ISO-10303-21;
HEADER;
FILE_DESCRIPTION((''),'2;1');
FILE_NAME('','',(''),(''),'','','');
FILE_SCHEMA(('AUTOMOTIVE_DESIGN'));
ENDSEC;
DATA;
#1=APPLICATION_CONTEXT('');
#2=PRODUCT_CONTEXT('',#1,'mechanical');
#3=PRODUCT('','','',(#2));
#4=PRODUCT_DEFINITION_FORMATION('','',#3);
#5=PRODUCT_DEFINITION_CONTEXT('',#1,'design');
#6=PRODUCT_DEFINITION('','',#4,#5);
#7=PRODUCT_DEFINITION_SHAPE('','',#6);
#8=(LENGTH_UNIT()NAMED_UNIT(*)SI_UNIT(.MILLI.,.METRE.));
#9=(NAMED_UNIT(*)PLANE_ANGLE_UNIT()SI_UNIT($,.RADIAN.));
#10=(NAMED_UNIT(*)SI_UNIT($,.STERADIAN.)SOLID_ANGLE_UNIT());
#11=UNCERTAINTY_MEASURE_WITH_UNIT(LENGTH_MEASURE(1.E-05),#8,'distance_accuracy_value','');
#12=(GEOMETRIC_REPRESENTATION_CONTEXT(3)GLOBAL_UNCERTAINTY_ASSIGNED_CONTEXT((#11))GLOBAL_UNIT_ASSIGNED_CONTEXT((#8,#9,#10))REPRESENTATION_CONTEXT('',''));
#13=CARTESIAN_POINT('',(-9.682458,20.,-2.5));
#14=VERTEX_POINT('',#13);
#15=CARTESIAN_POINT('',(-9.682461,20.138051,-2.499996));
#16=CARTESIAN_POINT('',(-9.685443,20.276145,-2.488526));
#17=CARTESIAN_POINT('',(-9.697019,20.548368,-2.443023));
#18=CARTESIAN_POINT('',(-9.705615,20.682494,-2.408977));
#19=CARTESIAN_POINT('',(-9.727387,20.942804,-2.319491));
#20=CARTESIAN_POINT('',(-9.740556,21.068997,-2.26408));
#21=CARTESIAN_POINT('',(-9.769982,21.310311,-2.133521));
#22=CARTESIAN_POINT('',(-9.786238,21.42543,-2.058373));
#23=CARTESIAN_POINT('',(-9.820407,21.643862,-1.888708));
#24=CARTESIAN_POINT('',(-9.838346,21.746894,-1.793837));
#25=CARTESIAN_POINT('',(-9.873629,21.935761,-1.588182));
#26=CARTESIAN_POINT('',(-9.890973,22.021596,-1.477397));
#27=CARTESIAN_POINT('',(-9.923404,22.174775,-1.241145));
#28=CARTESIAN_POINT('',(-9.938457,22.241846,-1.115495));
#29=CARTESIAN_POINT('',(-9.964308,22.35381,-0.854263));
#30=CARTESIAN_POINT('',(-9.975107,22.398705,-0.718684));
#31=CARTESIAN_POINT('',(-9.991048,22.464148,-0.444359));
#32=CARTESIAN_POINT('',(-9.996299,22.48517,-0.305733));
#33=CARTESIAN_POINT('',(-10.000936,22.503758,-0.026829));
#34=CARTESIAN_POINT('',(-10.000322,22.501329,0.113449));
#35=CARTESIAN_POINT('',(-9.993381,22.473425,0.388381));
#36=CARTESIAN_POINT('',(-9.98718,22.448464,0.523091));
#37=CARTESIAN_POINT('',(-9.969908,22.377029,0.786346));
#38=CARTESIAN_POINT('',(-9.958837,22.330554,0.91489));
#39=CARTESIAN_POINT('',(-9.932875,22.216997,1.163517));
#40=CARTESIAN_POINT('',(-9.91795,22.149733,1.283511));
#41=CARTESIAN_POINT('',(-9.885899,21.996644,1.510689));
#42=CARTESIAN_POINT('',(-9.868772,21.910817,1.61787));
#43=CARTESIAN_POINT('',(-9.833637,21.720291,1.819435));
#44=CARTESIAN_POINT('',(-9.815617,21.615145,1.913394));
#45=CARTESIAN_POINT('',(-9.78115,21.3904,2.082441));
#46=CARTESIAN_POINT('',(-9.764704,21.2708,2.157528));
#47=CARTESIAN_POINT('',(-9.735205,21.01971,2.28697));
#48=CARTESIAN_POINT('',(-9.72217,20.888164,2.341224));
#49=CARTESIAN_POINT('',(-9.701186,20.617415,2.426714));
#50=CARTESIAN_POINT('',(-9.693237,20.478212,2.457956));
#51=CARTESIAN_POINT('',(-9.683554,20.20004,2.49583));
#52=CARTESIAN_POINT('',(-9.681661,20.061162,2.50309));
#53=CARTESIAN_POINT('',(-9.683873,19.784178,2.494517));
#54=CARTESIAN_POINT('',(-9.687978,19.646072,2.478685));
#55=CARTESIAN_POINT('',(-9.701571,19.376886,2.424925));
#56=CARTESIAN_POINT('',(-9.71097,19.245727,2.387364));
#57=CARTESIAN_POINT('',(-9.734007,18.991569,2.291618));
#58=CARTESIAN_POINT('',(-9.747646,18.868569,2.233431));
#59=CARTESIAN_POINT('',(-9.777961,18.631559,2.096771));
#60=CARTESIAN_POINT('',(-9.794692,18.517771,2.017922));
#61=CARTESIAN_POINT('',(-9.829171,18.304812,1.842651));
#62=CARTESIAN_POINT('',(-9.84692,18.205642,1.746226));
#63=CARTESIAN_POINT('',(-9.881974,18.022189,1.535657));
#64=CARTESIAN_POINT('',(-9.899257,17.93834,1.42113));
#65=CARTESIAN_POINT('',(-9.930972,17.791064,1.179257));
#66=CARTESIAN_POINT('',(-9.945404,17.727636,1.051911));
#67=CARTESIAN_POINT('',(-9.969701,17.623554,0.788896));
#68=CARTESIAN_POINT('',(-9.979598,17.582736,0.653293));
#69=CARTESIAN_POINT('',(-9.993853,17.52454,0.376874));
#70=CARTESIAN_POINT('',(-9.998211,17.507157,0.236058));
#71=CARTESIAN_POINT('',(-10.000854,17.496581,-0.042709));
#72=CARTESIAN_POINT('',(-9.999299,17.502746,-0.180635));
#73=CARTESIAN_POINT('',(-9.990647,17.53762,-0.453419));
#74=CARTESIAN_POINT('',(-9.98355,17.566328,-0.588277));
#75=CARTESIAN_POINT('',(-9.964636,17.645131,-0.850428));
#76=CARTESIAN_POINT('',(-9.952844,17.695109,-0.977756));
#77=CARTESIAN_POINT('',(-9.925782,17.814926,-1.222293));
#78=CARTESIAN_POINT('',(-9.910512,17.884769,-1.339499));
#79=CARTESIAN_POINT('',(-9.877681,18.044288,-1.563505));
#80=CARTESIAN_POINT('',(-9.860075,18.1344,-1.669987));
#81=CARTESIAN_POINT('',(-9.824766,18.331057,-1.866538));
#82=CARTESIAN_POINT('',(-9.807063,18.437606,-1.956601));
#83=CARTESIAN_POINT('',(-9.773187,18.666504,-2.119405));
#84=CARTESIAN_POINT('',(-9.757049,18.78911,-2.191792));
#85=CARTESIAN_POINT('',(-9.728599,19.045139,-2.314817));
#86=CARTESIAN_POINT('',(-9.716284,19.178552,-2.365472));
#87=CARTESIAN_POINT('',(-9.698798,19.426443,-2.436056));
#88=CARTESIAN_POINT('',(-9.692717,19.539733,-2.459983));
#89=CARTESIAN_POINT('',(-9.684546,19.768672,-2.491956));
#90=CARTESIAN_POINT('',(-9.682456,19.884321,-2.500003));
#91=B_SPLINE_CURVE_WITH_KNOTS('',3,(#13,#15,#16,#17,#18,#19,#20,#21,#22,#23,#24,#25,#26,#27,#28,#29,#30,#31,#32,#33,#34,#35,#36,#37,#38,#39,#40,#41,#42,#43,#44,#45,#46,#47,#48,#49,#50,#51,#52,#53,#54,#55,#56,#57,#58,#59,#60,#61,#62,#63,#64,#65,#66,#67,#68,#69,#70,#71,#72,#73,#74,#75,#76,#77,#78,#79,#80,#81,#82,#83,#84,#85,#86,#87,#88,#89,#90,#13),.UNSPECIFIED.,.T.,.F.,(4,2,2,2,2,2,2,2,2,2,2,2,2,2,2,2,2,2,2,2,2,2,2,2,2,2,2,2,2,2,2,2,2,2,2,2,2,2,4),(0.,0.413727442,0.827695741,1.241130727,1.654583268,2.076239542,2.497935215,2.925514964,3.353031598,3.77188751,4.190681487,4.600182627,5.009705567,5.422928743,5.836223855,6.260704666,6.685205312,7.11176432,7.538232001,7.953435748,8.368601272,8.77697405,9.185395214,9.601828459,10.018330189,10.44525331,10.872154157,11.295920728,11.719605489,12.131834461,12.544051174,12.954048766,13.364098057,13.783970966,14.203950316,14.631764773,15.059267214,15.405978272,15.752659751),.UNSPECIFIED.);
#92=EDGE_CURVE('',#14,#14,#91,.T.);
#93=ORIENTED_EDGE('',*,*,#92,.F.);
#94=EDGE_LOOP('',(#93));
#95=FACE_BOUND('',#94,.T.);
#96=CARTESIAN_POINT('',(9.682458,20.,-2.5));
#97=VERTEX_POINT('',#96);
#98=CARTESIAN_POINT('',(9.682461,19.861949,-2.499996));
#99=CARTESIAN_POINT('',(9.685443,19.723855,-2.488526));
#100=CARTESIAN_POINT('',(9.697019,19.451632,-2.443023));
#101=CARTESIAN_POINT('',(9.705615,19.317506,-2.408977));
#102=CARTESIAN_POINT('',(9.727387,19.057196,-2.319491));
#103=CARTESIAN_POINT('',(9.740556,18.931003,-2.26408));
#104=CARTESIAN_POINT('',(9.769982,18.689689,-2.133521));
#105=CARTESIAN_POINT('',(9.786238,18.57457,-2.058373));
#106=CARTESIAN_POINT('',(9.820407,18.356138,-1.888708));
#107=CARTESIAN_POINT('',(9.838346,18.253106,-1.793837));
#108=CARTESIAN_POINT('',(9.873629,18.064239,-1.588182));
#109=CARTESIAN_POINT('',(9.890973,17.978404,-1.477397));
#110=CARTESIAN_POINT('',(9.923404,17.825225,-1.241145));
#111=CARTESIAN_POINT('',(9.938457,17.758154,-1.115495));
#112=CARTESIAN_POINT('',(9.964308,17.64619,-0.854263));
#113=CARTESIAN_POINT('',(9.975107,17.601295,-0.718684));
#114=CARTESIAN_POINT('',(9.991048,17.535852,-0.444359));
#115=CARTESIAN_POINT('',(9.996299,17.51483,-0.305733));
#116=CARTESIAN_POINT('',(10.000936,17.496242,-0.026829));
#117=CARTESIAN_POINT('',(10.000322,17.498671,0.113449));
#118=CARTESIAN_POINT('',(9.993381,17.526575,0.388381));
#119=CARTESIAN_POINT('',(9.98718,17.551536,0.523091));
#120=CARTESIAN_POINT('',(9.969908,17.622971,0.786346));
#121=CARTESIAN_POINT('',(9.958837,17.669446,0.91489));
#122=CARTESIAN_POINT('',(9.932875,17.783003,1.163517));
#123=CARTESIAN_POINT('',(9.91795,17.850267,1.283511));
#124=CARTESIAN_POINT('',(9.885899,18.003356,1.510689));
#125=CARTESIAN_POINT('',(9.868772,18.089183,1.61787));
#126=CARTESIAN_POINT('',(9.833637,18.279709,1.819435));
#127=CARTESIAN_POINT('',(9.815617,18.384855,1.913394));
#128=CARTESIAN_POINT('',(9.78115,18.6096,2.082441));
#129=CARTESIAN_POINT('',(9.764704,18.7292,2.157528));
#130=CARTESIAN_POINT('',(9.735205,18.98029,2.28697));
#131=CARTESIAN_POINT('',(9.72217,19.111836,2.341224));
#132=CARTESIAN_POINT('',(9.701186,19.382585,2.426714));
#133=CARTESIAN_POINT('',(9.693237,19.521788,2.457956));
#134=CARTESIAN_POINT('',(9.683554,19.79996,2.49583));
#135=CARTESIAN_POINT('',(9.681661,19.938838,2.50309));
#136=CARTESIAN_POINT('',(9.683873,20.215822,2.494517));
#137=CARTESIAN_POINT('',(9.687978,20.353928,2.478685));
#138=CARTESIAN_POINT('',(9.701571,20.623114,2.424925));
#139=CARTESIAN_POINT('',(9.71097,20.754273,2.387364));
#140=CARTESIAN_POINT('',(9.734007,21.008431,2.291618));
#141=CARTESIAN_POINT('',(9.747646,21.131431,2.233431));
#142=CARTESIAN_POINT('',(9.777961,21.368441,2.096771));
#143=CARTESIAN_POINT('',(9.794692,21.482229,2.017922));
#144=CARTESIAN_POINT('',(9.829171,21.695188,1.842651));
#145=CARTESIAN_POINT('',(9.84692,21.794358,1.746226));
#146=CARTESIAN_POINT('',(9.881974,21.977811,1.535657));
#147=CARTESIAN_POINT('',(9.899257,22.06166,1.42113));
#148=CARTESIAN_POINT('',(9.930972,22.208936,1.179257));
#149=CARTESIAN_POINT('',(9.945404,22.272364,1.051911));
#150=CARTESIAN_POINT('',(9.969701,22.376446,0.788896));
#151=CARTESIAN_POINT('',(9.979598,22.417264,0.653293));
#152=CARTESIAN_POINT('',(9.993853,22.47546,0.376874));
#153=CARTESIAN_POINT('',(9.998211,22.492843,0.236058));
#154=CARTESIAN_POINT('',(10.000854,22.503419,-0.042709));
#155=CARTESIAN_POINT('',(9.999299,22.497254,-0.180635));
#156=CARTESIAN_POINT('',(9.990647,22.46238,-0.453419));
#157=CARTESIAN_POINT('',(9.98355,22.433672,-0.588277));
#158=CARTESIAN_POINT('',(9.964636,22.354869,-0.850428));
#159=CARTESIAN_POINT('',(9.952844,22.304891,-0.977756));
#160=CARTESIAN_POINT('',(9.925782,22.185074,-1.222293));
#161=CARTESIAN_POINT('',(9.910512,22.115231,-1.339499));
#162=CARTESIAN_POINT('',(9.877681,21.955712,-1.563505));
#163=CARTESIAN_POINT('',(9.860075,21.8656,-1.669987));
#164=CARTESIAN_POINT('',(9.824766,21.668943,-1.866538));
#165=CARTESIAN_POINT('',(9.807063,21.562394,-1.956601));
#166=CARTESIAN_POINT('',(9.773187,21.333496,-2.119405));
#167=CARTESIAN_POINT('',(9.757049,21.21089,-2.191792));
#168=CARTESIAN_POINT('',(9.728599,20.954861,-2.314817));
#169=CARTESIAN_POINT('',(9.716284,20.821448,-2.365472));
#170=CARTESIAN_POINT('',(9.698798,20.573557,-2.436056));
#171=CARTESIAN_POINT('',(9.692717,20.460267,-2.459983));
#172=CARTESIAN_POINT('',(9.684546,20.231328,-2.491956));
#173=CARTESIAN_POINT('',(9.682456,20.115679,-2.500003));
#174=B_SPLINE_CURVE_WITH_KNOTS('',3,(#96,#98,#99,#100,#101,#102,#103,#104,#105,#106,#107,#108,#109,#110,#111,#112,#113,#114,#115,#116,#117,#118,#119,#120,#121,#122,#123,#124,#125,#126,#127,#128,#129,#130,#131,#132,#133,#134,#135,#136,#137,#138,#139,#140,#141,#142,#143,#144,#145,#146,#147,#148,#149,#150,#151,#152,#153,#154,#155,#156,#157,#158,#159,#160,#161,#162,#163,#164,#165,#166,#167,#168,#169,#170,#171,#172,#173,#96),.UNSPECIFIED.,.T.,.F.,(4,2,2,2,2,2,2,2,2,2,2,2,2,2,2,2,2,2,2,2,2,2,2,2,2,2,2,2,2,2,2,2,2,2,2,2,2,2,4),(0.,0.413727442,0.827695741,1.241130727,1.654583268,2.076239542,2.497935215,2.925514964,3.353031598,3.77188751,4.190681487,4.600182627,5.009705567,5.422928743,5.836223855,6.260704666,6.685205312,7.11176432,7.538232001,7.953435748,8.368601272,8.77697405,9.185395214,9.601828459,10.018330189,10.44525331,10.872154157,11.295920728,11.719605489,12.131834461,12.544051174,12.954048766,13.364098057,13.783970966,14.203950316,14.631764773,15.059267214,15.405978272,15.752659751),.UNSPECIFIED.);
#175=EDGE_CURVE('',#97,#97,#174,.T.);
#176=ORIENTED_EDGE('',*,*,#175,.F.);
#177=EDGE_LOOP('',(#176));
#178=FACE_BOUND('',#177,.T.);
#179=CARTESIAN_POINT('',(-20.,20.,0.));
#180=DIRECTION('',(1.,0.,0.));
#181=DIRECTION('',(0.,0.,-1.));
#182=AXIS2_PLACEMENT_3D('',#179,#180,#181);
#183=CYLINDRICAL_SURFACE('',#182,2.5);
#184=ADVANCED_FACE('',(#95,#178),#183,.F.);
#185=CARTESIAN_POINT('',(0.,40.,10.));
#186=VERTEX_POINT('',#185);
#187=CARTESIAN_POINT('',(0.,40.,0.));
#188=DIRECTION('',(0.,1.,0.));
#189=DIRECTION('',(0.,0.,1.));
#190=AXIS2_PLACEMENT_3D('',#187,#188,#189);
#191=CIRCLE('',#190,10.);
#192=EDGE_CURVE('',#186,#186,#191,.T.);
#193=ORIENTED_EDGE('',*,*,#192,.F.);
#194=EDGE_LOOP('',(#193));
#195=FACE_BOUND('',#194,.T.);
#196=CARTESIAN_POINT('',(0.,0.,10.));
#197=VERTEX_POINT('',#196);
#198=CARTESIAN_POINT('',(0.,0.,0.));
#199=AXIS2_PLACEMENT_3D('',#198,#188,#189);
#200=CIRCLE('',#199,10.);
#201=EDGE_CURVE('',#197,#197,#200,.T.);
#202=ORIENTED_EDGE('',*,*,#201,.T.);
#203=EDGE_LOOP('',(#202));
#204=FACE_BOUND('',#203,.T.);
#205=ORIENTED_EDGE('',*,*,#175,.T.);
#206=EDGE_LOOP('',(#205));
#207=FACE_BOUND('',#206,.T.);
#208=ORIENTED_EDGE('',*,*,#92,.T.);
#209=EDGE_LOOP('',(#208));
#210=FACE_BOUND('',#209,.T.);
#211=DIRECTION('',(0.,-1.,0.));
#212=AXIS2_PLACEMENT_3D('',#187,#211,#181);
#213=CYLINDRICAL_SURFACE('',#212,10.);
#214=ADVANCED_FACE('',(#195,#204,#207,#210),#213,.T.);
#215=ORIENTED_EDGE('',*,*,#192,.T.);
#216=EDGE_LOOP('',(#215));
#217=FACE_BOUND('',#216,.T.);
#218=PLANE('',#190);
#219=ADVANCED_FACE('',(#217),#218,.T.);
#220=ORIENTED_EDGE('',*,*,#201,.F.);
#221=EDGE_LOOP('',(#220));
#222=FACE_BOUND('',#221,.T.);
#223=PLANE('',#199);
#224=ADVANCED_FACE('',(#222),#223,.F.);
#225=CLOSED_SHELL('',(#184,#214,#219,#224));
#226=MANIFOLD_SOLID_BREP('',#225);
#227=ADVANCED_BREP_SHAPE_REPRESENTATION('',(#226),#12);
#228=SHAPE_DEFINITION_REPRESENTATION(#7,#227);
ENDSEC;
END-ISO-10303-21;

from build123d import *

# Parameters (mm, degrees)
SKETCH_1_R          = 10
EXTRUDE_1_DEPTH     = 40
SKETCH_2_R          = 2.5
CUT_EXTRUDE_1_DEPTH = 20


with BuildPart() as part:
    # 草图1 → 凸台-拉伸1 (new body)
    with BuildSketch(Plane(origin=(0, 0, 0), x_dir=(1, 0, 0), z_dir=(0, 1, 0))):
        with Locations(Location((0, 0, 0), (0, 0, 270))):
            Circle(SKETCH_1_R)
    extrude(amount=EXTRUDE_1_DEPTH)

    # 草图2 → 切除-拉伸1 (cut, symmetric)
    with BuildSketch(Plane(origin=(0, 0, 0), x_dir=(0, 0, -1), z_dir=(1, 0, 0))):
        with Locations((0, 20)):
            Circle(SKETCH_2_R)
    extrude(amount=CUT_EXTRUDE_1_DEPTH, both=True, mode=Mode.SUBTRACT)


solid = part.part
